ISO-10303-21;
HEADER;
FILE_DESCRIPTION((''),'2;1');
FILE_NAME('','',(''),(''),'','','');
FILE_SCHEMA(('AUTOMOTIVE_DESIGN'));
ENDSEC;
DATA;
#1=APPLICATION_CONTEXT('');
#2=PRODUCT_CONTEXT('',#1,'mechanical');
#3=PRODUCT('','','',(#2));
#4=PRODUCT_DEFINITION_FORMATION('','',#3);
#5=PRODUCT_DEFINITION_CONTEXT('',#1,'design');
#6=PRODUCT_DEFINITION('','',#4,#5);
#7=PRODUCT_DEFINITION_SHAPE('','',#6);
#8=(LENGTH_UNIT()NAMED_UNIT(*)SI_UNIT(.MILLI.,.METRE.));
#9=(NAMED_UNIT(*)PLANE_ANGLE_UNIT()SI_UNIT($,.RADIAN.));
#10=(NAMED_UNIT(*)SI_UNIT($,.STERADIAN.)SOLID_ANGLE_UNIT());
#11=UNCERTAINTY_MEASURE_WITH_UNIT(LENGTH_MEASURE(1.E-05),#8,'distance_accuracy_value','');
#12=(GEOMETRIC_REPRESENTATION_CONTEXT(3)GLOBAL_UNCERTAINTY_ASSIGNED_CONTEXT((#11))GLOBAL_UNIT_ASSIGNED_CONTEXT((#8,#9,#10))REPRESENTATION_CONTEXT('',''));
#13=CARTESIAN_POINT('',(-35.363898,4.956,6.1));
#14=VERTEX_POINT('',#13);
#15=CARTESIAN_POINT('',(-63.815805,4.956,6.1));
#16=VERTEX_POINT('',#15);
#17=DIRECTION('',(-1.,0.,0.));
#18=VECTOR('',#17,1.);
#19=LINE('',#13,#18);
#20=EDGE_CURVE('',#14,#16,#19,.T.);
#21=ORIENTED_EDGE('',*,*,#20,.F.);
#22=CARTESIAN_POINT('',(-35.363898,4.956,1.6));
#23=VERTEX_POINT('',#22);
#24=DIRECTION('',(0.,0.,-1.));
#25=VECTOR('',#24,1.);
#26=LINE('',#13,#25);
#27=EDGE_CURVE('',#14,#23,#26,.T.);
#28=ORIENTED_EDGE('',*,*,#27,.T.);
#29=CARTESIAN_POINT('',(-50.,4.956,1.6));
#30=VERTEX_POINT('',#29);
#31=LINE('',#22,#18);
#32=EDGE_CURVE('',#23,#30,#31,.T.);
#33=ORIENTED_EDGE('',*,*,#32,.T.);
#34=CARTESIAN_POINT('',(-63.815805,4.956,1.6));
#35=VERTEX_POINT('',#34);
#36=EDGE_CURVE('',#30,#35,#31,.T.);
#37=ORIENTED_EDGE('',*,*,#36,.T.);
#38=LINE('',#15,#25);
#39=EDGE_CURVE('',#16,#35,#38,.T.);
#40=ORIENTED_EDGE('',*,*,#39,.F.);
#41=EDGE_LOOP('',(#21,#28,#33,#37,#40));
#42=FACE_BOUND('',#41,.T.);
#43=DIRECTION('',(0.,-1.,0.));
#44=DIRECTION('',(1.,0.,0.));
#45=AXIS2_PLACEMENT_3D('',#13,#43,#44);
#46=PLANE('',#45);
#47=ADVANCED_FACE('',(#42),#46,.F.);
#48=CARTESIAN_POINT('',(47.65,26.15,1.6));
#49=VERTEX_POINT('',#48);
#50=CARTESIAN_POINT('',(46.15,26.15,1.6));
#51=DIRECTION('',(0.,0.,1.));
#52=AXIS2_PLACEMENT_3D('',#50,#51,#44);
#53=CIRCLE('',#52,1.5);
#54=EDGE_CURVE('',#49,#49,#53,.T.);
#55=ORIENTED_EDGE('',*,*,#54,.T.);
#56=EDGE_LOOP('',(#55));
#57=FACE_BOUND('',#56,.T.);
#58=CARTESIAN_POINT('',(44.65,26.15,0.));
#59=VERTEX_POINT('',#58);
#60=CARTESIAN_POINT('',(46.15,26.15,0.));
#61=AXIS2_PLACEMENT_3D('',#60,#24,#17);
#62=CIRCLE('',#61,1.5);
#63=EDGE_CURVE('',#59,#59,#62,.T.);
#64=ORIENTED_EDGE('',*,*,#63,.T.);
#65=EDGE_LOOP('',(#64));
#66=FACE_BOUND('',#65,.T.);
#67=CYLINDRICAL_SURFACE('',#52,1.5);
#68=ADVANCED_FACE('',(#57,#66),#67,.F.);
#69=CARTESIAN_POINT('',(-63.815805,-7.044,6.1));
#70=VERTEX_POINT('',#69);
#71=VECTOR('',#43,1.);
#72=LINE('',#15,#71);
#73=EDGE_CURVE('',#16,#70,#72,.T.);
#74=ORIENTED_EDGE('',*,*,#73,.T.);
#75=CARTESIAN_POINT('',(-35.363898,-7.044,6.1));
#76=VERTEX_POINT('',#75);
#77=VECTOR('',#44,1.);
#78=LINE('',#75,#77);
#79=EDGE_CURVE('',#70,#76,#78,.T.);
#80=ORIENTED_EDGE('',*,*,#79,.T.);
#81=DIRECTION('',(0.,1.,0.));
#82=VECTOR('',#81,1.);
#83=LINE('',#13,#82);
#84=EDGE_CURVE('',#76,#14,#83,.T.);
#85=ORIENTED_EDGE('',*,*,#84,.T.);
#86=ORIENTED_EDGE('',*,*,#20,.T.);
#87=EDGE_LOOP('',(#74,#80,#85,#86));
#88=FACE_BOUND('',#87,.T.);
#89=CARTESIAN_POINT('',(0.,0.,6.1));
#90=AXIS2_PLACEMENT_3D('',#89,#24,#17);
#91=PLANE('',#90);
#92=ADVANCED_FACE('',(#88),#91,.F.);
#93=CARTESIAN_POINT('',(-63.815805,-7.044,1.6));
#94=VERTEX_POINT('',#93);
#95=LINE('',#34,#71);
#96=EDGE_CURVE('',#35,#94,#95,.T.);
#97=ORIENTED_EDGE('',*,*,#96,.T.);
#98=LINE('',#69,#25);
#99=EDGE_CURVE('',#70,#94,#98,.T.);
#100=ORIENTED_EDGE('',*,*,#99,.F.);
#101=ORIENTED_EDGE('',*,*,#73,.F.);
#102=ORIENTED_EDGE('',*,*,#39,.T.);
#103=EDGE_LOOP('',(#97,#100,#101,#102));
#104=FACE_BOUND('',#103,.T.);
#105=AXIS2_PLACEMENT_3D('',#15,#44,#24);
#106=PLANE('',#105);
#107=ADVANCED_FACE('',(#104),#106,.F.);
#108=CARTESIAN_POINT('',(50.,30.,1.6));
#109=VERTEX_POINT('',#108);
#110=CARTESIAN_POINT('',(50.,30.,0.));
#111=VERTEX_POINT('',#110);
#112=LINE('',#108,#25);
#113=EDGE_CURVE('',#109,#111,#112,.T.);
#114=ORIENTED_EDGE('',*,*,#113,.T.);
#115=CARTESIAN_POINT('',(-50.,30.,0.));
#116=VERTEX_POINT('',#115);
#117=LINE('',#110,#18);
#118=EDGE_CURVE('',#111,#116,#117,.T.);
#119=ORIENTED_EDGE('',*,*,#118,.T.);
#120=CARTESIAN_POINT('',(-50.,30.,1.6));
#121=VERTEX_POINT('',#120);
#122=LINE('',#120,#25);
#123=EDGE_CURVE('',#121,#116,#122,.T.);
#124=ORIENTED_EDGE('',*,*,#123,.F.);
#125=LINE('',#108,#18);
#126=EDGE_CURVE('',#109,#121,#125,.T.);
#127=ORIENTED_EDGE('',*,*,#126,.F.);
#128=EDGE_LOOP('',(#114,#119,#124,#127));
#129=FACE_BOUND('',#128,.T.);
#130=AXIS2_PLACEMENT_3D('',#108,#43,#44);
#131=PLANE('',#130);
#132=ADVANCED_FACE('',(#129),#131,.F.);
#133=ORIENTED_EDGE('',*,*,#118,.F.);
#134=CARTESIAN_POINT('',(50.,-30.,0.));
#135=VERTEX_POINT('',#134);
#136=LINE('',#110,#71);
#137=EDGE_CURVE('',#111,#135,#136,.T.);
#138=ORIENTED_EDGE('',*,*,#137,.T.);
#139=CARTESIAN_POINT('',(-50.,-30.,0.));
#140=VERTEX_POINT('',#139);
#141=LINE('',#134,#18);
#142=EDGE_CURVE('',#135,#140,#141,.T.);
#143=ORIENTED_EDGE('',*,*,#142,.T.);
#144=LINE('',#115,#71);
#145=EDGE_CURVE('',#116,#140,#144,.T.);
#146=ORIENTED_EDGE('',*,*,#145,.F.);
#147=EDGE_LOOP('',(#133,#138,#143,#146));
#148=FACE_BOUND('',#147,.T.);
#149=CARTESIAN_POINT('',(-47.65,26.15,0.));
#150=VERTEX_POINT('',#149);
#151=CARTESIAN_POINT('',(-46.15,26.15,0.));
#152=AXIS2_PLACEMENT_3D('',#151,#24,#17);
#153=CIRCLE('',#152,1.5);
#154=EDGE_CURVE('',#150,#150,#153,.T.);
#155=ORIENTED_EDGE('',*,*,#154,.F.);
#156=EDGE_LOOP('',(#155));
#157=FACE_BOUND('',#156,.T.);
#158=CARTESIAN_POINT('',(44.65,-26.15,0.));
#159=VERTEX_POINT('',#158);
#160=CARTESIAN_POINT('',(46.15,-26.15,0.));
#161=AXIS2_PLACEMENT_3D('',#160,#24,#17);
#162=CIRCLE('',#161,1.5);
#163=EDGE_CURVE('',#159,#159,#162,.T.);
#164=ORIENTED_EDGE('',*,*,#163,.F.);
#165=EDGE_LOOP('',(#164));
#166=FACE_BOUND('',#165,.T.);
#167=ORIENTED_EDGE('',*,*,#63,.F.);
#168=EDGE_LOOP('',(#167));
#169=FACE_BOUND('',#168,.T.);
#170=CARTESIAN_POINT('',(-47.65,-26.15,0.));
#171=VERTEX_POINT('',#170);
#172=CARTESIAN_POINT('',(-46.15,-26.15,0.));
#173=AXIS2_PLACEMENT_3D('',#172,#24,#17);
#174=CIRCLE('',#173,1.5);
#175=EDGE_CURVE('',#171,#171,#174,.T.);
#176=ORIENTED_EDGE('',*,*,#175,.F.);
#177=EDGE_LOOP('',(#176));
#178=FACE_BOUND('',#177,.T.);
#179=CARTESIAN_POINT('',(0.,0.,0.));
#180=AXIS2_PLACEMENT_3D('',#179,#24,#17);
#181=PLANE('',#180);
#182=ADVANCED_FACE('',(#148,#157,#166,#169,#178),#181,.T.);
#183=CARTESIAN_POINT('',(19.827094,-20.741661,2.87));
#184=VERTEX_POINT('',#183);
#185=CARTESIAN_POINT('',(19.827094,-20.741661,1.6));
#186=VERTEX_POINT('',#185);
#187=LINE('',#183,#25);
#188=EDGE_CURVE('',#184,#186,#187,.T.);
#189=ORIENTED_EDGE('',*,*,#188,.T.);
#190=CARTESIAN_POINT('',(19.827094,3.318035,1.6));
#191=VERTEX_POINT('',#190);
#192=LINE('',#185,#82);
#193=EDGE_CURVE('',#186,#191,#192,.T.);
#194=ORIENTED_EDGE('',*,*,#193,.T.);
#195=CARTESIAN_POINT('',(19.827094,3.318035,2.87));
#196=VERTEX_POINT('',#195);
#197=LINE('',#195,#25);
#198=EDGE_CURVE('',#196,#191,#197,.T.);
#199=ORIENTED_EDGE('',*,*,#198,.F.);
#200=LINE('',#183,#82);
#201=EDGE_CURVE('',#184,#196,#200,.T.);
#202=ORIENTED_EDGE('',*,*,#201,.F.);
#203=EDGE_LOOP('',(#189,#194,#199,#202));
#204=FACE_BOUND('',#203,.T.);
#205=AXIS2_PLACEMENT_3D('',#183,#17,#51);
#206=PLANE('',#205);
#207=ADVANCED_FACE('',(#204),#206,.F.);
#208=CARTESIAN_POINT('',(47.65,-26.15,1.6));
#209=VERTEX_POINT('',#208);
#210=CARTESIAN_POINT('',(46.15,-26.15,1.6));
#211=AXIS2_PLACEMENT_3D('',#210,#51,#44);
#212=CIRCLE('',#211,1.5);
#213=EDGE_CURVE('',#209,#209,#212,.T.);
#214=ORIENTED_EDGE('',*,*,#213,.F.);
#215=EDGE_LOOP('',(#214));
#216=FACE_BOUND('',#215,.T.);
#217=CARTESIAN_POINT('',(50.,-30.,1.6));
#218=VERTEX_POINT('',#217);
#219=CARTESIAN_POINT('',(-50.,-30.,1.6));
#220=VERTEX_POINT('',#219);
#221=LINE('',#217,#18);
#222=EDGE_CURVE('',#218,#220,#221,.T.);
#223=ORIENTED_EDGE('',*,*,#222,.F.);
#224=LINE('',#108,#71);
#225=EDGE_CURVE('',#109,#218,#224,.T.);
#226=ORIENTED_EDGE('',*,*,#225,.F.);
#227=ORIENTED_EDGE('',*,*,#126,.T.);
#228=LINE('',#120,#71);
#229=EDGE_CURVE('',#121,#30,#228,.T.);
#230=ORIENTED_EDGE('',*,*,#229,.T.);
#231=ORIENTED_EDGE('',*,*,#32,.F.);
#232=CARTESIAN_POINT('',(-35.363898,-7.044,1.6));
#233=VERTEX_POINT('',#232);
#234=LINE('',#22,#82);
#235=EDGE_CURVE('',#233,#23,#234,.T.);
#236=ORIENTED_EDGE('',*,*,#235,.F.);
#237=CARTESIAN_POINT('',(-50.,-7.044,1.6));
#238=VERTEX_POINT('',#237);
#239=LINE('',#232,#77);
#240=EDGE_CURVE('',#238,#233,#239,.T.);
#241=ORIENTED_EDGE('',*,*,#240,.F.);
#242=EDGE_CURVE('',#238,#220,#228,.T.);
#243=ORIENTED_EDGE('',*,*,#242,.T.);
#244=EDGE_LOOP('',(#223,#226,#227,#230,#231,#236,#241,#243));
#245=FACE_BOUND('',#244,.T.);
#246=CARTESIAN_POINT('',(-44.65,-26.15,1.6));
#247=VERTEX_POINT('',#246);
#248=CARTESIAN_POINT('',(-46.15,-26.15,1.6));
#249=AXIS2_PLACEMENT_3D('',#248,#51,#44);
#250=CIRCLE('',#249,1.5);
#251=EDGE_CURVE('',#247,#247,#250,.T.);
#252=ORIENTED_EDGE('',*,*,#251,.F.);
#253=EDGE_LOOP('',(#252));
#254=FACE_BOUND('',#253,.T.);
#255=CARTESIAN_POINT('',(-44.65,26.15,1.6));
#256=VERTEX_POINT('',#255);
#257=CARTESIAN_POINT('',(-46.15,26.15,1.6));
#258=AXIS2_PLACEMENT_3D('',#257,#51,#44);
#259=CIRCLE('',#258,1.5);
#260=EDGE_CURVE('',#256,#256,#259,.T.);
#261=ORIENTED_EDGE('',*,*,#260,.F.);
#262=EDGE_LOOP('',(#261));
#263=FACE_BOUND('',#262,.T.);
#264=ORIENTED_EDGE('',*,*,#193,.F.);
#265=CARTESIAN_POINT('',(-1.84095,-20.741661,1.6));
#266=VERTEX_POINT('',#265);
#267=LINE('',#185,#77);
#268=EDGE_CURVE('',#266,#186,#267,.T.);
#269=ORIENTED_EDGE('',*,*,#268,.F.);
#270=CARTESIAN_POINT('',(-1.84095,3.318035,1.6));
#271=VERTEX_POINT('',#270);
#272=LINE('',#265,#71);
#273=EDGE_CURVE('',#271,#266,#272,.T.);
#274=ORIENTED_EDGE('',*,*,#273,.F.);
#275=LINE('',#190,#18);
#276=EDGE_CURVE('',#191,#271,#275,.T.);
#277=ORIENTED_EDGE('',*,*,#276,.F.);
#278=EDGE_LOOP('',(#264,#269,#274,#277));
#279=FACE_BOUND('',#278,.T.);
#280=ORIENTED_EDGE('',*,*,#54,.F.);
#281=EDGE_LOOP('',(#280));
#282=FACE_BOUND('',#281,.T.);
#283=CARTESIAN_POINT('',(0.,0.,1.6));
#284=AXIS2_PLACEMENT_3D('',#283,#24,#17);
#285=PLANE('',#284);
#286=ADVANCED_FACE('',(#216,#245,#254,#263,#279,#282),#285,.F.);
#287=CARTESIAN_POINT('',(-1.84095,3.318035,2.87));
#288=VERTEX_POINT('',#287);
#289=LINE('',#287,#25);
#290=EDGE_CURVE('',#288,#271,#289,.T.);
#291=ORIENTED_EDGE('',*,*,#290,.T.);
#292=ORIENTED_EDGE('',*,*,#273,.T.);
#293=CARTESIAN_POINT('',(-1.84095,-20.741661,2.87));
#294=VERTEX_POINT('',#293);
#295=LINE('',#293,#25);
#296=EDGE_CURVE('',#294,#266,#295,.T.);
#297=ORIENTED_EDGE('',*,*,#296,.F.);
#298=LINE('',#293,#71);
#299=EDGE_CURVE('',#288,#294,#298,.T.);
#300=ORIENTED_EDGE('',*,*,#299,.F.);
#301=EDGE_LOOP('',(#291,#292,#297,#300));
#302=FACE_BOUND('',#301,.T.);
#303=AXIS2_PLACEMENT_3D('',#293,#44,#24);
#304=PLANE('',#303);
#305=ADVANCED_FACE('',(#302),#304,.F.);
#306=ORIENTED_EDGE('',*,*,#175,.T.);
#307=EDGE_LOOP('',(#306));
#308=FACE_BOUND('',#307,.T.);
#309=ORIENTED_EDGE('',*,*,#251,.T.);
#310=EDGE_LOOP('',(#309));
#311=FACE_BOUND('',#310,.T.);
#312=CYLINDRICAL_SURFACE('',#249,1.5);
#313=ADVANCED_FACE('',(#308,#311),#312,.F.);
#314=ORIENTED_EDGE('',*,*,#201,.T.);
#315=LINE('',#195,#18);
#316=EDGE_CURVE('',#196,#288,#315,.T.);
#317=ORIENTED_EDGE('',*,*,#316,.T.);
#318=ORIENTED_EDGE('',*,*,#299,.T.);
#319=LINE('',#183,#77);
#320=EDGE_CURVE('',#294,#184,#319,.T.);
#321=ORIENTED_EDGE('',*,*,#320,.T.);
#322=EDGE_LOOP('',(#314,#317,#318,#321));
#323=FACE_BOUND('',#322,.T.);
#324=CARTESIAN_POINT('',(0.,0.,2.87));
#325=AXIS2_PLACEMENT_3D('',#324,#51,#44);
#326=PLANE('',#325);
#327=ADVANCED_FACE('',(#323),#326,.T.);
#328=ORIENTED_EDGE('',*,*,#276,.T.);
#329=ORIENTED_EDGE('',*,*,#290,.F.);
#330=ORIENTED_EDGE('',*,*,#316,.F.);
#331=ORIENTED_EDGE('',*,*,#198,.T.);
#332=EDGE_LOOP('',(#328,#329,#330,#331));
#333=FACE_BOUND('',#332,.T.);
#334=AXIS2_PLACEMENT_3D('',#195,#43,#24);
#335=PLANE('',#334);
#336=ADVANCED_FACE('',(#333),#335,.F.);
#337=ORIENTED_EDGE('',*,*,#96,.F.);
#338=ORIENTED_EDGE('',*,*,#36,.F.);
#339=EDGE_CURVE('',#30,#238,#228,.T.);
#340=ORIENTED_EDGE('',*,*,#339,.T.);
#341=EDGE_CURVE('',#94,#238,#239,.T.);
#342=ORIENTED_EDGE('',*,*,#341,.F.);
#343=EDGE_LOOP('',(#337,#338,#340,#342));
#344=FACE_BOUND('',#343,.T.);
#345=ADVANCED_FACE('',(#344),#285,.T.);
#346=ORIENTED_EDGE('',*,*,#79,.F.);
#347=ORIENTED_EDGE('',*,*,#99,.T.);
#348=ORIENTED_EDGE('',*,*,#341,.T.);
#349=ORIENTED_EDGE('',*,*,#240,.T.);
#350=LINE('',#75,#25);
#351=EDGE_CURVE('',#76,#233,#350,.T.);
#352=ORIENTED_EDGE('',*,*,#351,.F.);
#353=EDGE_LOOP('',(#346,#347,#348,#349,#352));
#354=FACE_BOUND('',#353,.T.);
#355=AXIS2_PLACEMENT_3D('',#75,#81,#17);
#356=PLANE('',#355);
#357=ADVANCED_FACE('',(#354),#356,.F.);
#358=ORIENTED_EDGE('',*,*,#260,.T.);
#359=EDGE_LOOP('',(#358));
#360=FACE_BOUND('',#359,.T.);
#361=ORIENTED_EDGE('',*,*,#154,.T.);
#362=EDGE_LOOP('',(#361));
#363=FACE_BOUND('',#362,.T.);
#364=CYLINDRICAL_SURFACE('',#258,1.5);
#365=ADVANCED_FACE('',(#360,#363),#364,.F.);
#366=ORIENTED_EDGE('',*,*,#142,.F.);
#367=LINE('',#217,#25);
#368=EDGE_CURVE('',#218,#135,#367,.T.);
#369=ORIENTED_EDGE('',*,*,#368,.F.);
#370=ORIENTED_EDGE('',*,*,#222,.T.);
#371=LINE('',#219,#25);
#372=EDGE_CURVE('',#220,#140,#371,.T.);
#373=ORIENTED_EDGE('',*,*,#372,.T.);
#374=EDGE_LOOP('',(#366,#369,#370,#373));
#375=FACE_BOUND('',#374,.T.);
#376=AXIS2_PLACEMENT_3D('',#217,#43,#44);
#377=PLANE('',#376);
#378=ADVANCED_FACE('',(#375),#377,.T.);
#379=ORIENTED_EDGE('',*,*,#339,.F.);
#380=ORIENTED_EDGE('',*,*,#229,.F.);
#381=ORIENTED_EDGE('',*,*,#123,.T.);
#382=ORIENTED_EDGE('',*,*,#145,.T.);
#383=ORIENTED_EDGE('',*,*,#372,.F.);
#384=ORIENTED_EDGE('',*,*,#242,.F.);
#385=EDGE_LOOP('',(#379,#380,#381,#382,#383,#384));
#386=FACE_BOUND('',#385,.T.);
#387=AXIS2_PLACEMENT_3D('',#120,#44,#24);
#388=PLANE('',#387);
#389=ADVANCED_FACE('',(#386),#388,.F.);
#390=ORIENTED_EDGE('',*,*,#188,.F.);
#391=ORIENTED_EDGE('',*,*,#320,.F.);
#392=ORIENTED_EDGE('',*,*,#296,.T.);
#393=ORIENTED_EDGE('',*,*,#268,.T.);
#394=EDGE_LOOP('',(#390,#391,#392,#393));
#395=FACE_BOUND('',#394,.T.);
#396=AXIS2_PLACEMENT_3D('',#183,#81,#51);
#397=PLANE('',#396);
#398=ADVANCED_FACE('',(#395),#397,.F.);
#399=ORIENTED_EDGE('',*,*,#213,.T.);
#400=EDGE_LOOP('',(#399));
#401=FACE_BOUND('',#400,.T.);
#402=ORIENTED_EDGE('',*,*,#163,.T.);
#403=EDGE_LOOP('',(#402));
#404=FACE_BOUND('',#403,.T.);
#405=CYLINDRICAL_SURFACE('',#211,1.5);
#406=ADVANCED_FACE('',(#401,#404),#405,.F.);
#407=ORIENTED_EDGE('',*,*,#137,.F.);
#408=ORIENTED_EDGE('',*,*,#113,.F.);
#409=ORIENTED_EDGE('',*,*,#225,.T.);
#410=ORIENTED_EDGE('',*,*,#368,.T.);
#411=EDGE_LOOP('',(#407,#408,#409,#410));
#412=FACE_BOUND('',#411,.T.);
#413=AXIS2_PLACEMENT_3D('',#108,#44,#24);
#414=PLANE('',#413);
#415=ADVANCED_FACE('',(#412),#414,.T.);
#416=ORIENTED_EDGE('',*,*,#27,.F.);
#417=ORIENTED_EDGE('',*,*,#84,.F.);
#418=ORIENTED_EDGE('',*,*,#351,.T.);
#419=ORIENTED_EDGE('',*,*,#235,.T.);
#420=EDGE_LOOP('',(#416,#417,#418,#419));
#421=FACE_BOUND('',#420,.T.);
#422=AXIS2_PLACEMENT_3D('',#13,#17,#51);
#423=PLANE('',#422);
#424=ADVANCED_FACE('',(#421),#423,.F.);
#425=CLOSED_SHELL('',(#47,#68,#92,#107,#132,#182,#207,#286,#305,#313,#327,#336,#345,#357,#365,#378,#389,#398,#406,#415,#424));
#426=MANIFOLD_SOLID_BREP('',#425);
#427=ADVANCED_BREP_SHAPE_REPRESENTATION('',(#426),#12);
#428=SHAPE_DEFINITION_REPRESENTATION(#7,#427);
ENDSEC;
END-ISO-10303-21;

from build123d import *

# Parameters (mm, degrees)
SKETCH1_W                    = 100
SKETCH1_H                    = 60
BOSS_EXTRUDE1_DEPTH          = 1.6
SKETCH2_W                    = 28.451906957
SKETCH2_H                    = 12
BOSS_EXTRUDE2_DEPTH          = 4.5
SKETCH3_W                    = 21.668043294
SKETCH3_H                    = 24.059695689
BOSS_EXTRUDE3_DEPTH          = 1.27
F_3_0_3_DIAMETER_HOLE1_D     = 3
F_3_0_3_DIAMETER_HOLE1_DEPTH = 3.1496
F_3_0_3_DIAMETER_HOLE1_TIP   = 0.901290929


with BuildPart() as part:
    # Sketch1 → Boss-Extrude1 (new body)
    with BuildSketch(Plane.XY):
        Rectangle(SKETCH1_W, SKETCH1_H)
    extrude(amount=BOSS_EXTRUDE1_DEPTH)

    # Sketch2 → Boss-Extrude2 (add)
    with BuildSketch(Plane.XY.offset(1.6)):
        with Locations((-49.589851522, -1.044)):
            Rectangle(SKETCH2_W, SKETCH2_H)
    extrude(amount=BOSS_EXTRUDE2_DEPTH)

    # Sketch3 → Boss-Extrude3 (add)
    with BuildSketch(Plane.XY.offset(1.6)):
        with Locations((8.993071996, -8.71181328)):
            Rectangle(SKETCH3_W, SKETCH3_H)
    extrude(amount=BOSS_EXTRUDE3_DEPTH)

    # Ø3.0 (3) Diameter Hole1
    with Locations(Plane.XY.offset(1.6)):
        with Locations((-46.15, -26.15), (-46.15, 26.15), (46.15, -26.15), (46.15, 26.15)):
            Hole(F_3_0_3_DIAMETER_HOLE1_D / 2, depth=F_3_0_3_DIAMETER_HOLE1_DEPTH)
            with Locations((0, 0, -(F_3_0_3_DIAMETER_HOLE1_DEPTH + F_3_0_3_DIAMETER_HOLE1_TIP / 2))):  # 118° drill point
                Cone(0, F_3_0_3_DIAMETER_HOLE1_D / 2, F_3_0_3_DIAMETER_HOLE1_TIP, mode=Mode.SUBTRACT)


solid = part.part
